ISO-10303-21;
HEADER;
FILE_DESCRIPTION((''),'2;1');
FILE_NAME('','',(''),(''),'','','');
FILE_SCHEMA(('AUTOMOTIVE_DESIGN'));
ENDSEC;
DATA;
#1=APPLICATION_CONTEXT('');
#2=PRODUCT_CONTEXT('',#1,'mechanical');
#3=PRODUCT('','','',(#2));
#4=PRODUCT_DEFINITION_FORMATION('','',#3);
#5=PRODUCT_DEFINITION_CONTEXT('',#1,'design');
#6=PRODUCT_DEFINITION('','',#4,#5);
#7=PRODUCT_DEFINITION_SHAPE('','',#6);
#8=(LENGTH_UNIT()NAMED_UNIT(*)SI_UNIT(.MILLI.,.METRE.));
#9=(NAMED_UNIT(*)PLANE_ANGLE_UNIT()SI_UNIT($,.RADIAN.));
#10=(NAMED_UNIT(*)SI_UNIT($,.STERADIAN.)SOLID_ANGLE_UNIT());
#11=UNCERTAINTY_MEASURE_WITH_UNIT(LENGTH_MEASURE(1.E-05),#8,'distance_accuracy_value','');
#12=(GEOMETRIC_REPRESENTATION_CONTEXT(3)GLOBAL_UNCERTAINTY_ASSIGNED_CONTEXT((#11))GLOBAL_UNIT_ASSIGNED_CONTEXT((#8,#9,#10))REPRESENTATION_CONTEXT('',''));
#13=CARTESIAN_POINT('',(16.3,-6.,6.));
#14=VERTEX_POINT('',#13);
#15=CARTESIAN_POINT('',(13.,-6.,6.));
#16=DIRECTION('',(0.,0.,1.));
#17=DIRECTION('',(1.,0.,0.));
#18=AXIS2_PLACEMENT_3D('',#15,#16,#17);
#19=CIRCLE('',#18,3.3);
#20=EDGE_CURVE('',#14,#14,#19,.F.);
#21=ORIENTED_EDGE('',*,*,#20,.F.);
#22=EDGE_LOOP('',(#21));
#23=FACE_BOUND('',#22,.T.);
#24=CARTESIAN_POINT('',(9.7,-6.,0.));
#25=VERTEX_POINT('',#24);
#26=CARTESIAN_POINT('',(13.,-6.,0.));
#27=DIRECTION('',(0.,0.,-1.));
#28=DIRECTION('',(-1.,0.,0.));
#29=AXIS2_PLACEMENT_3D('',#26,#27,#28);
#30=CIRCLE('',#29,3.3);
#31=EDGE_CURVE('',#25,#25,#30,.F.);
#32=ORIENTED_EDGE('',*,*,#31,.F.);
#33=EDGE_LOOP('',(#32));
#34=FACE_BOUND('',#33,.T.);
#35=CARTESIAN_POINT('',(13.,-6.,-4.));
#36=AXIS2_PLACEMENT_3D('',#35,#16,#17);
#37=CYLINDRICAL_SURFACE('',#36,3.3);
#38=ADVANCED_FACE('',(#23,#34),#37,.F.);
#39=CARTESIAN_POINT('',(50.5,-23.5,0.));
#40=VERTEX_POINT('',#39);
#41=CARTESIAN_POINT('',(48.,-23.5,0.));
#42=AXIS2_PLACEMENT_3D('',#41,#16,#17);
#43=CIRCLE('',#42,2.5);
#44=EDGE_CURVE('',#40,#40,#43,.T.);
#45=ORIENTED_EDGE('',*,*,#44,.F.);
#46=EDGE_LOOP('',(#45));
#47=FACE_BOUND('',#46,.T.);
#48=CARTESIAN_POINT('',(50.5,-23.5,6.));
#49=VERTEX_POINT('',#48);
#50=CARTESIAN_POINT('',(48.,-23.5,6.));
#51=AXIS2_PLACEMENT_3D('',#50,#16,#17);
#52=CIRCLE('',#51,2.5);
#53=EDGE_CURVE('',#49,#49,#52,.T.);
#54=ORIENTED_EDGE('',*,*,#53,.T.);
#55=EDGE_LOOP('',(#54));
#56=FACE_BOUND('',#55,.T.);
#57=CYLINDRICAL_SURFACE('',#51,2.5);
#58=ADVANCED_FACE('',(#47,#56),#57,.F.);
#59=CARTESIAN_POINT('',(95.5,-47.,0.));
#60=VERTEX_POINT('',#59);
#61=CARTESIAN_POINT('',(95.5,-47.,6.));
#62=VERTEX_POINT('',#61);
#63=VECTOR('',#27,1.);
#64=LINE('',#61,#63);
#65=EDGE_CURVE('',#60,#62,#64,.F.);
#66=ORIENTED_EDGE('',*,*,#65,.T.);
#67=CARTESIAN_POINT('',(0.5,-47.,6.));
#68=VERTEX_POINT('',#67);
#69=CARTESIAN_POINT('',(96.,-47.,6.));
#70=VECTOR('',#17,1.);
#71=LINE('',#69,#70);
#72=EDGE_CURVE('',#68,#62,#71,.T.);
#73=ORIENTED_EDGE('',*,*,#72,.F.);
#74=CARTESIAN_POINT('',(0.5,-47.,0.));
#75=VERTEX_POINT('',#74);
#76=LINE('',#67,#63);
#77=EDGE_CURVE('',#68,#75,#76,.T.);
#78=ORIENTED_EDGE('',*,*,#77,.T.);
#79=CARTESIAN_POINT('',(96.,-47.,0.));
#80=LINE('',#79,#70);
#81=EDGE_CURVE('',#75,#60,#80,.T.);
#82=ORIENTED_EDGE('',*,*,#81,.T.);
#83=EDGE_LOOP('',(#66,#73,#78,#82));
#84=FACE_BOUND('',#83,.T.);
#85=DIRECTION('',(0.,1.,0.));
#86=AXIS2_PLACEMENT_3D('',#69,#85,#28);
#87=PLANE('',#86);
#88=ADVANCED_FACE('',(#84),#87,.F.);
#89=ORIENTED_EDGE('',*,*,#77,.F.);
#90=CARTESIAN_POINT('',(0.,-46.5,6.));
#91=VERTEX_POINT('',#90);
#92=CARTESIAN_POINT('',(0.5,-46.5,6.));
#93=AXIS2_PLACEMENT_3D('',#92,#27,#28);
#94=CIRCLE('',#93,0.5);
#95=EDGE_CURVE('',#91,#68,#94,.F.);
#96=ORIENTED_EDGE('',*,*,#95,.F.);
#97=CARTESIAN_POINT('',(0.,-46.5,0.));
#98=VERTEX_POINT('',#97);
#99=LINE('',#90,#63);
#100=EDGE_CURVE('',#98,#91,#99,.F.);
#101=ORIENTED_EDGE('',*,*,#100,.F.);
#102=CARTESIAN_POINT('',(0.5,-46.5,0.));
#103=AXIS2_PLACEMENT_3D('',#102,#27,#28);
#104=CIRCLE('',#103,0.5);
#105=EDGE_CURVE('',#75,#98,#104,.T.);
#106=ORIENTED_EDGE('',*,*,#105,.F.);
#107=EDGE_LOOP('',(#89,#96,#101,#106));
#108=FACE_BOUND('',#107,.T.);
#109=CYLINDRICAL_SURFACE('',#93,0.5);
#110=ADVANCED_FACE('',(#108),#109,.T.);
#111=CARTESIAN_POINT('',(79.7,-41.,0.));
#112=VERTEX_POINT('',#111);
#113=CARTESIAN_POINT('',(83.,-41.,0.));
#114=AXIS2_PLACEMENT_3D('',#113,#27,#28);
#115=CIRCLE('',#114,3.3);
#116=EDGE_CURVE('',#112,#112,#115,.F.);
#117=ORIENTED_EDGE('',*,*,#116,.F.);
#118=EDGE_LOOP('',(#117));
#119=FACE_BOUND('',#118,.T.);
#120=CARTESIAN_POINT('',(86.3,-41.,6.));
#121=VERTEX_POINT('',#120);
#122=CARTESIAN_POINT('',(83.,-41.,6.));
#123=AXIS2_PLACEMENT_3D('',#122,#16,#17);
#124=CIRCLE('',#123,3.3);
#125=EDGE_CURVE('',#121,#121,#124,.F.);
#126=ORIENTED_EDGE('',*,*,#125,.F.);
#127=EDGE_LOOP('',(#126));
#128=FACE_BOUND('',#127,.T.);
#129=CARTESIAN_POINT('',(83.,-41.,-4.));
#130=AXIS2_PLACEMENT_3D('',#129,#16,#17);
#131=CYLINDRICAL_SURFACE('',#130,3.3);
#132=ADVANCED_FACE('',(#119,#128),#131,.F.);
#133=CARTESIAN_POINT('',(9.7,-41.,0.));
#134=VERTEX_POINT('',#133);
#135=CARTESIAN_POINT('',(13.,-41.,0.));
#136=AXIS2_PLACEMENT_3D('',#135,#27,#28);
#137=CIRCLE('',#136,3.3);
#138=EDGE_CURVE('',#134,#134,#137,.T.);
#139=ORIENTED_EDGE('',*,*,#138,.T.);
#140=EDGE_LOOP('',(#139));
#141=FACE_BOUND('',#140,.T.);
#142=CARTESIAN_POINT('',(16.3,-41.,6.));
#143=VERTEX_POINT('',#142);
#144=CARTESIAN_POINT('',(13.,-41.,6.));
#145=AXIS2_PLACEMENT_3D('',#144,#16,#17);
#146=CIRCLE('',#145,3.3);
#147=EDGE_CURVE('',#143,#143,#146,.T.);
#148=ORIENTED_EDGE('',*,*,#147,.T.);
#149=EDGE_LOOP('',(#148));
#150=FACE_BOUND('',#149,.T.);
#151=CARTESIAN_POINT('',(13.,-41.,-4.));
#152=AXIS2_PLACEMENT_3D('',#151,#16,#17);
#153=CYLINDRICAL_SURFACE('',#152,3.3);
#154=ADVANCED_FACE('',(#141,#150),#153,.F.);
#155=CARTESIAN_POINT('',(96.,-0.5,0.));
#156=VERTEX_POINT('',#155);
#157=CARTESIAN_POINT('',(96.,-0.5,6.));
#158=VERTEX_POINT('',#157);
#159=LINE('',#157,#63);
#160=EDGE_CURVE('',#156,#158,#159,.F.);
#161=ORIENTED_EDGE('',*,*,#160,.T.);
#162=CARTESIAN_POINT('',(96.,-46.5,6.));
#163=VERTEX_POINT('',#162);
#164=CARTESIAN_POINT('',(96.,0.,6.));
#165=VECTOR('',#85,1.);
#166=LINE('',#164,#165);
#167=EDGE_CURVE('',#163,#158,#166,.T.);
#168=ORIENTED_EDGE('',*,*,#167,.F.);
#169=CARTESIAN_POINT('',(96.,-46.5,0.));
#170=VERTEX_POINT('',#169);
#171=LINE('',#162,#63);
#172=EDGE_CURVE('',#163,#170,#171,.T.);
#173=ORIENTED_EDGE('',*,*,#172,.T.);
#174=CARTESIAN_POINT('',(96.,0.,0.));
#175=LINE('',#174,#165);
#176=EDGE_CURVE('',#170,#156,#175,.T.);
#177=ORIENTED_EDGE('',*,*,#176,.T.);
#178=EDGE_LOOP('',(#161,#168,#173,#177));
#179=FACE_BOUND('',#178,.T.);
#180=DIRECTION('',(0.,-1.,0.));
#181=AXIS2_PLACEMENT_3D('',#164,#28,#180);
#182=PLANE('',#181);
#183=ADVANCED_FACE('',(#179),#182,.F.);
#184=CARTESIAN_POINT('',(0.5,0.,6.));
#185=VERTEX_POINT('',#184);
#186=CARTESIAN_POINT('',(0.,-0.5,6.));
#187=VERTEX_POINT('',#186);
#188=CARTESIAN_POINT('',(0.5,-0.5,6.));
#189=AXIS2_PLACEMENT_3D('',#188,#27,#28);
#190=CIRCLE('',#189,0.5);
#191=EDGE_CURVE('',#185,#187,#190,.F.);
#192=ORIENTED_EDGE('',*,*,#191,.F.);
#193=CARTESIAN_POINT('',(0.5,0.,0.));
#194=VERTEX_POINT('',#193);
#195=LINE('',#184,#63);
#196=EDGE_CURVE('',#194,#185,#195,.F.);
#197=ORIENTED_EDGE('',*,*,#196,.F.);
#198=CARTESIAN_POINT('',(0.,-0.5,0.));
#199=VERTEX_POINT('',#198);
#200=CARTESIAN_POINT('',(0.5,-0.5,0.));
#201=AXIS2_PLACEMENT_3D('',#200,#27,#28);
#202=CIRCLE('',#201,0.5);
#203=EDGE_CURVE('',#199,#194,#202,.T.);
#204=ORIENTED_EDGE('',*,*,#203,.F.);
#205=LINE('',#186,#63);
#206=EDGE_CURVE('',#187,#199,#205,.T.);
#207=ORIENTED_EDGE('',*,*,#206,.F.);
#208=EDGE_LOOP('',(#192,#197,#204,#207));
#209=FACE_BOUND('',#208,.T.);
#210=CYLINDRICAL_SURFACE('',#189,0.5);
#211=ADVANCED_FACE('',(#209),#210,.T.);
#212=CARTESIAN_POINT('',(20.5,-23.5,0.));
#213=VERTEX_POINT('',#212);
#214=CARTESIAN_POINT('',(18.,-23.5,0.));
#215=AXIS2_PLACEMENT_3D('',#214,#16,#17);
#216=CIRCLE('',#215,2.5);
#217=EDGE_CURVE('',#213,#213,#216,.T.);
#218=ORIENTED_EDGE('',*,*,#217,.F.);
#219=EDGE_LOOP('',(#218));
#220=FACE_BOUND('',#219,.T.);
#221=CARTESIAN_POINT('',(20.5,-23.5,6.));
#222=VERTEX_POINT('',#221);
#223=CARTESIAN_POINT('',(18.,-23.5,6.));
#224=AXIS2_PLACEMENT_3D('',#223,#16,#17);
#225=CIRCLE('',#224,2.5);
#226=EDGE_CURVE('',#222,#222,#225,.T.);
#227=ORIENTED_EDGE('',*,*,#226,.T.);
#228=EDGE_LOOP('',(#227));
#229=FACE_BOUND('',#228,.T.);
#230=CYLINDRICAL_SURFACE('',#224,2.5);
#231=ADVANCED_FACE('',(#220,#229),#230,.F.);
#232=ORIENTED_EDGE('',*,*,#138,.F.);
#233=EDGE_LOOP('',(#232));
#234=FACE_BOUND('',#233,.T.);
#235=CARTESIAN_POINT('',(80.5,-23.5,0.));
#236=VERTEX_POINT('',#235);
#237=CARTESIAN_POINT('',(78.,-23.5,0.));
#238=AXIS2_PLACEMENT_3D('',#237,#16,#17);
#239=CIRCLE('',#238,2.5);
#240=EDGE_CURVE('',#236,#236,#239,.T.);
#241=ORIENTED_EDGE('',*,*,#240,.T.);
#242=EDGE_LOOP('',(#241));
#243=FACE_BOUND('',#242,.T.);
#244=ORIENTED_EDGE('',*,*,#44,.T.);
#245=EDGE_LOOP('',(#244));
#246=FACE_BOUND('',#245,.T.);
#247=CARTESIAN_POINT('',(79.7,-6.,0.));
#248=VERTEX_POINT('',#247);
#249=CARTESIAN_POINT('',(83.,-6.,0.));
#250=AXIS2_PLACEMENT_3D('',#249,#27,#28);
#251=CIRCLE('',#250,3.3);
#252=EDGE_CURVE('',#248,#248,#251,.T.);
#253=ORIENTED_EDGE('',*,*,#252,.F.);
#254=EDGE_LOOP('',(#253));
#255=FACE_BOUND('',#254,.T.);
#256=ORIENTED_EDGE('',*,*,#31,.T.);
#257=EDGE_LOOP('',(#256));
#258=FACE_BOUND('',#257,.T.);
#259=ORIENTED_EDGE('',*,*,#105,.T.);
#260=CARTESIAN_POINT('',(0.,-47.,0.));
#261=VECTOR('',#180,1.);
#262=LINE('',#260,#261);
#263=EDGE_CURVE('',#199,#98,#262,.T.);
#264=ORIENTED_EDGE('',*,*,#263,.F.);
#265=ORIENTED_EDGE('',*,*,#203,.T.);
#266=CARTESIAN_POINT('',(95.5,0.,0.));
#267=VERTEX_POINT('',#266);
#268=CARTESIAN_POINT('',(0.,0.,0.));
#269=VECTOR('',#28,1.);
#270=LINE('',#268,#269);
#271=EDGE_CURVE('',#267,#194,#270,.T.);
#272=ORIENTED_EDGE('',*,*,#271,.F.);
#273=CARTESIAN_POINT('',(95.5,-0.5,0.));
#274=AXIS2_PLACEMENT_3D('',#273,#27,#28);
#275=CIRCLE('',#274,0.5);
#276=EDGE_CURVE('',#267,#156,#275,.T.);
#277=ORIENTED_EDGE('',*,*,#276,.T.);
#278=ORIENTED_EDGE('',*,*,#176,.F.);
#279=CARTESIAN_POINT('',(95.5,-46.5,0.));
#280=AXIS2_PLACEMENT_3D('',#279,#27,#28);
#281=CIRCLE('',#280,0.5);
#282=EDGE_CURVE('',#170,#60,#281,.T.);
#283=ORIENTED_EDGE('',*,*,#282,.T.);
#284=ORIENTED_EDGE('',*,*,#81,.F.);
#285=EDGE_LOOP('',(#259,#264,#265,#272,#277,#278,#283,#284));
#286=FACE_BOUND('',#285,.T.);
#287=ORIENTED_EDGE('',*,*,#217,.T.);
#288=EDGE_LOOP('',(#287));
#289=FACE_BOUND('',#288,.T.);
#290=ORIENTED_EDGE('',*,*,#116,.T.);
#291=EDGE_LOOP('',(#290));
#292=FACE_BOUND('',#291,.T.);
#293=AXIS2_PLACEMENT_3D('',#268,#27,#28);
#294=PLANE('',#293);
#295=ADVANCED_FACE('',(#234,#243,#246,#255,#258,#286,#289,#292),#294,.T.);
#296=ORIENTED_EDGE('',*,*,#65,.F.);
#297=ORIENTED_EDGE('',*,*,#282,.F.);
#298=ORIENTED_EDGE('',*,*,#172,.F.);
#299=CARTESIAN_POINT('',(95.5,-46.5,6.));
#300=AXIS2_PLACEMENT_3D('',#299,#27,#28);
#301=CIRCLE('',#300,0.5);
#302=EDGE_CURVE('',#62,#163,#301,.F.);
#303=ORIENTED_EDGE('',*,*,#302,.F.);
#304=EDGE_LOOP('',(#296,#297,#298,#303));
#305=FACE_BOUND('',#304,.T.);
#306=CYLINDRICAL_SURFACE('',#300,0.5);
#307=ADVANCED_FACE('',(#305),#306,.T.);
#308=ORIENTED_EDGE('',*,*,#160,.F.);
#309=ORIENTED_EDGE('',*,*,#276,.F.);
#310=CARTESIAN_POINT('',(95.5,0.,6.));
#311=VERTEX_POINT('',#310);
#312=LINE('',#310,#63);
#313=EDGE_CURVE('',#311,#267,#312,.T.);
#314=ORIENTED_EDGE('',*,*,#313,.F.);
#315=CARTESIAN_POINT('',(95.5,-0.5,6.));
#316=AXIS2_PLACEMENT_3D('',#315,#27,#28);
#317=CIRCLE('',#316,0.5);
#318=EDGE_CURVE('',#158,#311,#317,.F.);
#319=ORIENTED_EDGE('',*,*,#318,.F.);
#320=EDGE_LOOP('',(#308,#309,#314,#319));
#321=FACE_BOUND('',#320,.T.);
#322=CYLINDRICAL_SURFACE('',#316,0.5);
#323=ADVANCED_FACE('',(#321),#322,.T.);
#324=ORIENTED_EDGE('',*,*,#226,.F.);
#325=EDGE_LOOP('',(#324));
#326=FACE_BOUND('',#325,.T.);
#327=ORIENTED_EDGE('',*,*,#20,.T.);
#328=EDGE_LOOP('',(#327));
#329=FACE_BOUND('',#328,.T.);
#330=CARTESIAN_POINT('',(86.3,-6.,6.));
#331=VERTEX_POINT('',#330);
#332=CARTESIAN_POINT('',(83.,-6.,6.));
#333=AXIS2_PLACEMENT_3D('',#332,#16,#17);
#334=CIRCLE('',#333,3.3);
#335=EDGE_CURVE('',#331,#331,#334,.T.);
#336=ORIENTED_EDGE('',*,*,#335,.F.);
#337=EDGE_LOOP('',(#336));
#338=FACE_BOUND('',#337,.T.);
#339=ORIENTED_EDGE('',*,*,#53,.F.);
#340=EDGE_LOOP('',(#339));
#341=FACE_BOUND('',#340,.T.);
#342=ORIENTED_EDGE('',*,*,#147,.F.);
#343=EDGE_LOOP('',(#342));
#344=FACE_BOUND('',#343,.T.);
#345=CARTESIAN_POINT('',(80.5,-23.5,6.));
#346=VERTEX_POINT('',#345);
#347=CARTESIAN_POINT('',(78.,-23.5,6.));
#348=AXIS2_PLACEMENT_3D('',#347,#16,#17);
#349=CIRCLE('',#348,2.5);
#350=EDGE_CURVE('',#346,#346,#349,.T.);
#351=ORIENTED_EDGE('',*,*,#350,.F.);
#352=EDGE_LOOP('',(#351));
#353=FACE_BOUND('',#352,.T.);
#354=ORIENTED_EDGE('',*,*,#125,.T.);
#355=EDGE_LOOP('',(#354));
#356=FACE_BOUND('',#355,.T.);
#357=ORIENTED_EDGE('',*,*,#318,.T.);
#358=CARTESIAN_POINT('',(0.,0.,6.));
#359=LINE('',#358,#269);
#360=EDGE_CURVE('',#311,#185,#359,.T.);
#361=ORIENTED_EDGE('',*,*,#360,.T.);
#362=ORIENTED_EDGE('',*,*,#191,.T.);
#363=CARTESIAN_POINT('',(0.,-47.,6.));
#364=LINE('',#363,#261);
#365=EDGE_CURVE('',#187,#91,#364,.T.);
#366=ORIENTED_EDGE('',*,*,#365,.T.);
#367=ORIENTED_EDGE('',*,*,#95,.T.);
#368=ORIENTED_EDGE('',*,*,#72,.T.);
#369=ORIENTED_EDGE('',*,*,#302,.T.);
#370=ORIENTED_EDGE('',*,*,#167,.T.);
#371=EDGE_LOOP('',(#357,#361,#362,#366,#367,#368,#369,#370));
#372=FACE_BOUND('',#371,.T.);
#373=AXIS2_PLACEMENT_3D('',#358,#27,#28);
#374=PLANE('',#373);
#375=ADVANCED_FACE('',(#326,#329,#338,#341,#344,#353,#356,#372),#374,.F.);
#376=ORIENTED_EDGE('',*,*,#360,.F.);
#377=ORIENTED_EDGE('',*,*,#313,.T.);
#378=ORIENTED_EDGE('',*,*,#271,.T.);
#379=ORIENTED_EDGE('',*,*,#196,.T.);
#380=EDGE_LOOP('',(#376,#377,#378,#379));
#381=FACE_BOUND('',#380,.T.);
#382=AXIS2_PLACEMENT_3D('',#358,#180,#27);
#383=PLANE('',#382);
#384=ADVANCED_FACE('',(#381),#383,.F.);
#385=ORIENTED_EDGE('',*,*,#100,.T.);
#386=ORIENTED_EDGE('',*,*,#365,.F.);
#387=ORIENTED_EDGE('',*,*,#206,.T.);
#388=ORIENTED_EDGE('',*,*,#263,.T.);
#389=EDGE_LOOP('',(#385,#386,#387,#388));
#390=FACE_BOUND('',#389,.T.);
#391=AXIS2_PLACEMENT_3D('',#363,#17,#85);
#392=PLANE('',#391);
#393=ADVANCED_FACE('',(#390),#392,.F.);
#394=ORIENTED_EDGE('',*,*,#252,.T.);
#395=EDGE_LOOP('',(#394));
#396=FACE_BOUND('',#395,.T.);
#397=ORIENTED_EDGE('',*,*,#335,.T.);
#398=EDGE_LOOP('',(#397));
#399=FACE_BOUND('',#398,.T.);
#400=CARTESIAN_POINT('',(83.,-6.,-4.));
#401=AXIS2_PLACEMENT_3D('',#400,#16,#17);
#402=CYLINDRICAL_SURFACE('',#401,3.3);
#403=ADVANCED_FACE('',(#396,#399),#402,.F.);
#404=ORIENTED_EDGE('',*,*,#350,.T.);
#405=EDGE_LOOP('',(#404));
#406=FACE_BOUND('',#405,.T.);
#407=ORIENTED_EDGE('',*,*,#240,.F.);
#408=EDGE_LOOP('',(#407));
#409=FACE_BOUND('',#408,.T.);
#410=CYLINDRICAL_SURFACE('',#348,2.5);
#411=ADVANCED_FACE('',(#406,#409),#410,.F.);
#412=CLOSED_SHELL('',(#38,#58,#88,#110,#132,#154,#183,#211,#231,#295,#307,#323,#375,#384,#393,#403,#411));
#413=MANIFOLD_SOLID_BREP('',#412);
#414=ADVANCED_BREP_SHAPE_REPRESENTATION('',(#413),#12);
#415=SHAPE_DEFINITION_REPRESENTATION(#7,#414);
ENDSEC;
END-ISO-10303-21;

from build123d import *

# Parameters (mm, degrees)
SKETCH_1_W          = 96
SKETCH_1_H          = 47
EXTRUDE_1_DEPTH     = 6
SKETCH_2_R          = 3.3
CUT_EXTRUDE_1_DEPTH = 10
HOLE_WIZARD_M6_2_D  = 5
FILLET_1_R          = 0.5


with BuildPart() as part:
    # 草图1 → 凸台-拉伸1 (new body)
    with BuildSketch(Plane.XY):
        with Locations((48, -23.5)):
            Rectangle(SKETCH_1_W, SKETCH_1_H)
    extrude(amount=EXTRUDE_1_DEPTH)

    # 草图2 → 切除-拉伸1 (cut)
    with BuildSketch(Plane.XY.offset(6)):
        with Locations((83, -6)):
            Circle(SKETCH_2_R)
        with Locations((83, -41)):
            Circle(SKETCH_2_R)
        with Locations((13, -41)):
            Circle(SKETCH_2_R)
        with Locations((13, -6)):
            Circle(SKETCH_2_R)
    extrude(amount=-CUT_EXTRUDE_1_DEPTH, mode=Mode.SUBTRACT)

    # M6 螺纹孔2 (through all)
    with Locations(Plane.XY.offset(6)):
        with Locations((18, -23.5), (48, -23.5), (78, -23.5)):
            Hole(HOLE_WIZARD_M6_2_D / 2)

    # 圆角1
    fillet_1_edges = [part.edges().sort_by_distance(p)[0] for p in [
        (0, 0, 3),
        (96, 0, 3),
        (96, -47, 3),
        (0, -47, 3),
    ]]
    fillet(fillet_1_edges, radius=FILLET_1_R)


solid = part.part
